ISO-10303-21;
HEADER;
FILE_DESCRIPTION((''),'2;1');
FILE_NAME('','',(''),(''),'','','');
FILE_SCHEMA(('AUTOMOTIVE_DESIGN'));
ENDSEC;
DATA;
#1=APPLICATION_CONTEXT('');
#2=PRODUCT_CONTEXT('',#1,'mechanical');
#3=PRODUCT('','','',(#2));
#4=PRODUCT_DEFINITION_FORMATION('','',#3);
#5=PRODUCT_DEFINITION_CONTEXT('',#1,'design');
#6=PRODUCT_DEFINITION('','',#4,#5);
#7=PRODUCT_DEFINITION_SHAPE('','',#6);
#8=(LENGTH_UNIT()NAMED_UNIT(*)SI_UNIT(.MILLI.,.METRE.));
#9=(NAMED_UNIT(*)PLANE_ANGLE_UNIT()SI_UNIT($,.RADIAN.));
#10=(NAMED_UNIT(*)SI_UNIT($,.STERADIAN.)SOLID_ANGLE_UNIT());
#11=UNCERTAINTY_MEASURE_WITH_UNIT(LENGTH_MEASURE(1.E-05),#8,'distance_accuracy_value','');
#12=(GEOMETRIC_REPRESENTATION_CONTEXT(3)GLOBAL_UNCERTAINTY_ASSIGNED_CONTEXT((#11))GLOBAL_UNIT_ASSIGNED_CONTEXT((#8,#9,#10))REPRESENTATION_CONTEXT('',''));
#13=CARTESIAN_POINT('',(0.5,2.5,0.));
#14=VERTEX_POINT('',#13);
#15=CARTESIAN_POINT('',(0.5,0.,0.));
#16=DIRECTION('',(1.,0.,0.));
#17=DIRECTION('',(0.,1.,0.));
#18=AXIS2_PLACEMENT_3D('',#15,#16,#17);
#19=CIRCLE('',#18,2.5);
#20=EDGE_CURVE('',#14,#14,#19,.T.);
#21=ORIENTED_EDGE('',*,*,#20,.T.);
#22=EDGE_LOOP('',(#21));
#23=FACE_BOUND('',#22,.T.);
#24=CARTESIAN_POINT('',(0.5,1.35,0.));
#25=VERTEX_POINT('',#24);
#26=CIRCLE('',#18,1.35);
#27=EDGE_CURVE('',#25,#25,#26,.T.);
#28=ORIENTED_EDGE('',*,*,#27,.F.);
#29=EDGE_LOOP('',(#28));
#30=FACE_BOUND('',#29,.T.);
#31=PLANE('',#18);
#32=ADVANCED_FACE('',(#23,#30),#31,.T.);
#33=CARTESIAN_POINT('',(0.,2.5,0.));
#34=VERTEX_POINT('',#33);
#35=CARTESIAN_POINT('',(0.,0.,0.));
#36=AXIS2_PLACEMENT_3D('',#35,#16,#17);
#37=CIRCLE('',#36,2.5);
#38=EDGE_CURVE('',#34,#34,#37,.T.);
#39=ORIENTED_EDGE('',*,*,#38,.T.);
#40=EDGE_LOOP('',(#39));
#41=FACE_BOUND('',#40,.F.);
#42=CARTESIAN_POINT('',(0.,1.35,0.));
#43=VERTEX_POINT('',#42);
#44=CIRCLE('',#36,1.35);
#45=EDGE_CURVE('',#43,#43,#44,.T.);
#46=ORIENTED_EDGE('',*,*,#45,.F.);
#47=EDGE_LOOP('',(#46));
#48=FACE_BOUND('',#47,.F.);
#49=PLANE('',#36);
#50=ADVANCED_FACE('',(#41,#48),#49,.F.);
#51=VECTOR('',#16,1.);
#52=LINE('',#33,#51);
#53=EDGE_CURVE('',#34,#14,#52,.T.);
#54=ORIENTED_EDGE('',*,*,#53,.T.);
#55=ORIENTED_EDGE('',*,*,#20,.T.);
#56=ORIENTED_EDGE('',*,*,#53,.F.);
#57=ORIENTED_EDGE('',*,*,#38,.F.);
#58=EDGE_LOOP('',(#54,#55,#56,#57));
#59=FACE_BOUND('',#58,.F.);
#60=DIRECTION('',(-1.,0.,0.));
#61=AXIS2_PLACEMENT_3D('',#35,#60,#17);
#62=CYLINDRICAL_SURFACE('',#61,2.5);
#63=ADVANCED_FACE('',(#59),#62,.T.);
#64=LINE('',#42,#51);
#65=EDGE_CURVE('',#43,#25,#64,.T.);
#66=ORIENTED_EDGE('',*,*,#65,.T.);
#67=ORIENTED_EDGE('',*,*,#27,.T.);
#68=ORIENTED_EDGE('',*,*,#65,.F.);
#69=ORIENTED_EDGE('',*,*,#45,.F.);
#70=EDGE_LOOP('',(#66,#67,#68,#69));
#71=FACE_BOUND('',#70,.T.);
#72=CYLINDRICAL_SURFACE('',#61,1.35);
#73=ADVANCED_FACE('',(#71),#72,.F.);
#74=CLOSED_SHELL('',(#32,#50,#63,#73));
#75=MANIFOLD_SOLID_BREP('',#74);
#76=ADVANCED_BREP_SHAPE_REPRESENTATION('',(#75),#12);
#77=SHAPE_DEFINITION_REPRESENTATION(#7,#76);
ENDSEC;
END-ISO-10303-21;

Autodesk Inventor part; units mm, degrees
ref_plane "YZ Plane" through (0, 0, 0) normal (1, 0, 0) x (0, 1, 0)
ref_plane "XZ Plane" through (0, 0, 0) normal (0, 1, 0) x (-1, 0, 0)
sketch "Sketch" plane through (0, 0, 0) normal (1, 0, 0) x (0, 1, 0)
  circle A0 centre (0, 0) radius 2.5
  circle A1 centre (0, 0) radius 1.35
  dimension "d0" = 2.7
  dimension "d1" = 5
extrude "Body" add sketch "Sketch" along normal blind 0.5
ref_plane "Work Plane1" through (0, 0, 0) normal (0, 0, 1) x (1, 0, 0)
equation "\"d0\" = SD1"
equation "\"d1\" = SD2"
equation "\"d2\" = SD"
equation "\"SD1\" = 2.7"
equation "\"SD2\" = 5"
equation "\"SD\" = 0.5"
equation "\"NND\" = 2.5"
properties part number "ISO 7092 - ST 2.5 - 140 HV" material "Stainless Steel"
